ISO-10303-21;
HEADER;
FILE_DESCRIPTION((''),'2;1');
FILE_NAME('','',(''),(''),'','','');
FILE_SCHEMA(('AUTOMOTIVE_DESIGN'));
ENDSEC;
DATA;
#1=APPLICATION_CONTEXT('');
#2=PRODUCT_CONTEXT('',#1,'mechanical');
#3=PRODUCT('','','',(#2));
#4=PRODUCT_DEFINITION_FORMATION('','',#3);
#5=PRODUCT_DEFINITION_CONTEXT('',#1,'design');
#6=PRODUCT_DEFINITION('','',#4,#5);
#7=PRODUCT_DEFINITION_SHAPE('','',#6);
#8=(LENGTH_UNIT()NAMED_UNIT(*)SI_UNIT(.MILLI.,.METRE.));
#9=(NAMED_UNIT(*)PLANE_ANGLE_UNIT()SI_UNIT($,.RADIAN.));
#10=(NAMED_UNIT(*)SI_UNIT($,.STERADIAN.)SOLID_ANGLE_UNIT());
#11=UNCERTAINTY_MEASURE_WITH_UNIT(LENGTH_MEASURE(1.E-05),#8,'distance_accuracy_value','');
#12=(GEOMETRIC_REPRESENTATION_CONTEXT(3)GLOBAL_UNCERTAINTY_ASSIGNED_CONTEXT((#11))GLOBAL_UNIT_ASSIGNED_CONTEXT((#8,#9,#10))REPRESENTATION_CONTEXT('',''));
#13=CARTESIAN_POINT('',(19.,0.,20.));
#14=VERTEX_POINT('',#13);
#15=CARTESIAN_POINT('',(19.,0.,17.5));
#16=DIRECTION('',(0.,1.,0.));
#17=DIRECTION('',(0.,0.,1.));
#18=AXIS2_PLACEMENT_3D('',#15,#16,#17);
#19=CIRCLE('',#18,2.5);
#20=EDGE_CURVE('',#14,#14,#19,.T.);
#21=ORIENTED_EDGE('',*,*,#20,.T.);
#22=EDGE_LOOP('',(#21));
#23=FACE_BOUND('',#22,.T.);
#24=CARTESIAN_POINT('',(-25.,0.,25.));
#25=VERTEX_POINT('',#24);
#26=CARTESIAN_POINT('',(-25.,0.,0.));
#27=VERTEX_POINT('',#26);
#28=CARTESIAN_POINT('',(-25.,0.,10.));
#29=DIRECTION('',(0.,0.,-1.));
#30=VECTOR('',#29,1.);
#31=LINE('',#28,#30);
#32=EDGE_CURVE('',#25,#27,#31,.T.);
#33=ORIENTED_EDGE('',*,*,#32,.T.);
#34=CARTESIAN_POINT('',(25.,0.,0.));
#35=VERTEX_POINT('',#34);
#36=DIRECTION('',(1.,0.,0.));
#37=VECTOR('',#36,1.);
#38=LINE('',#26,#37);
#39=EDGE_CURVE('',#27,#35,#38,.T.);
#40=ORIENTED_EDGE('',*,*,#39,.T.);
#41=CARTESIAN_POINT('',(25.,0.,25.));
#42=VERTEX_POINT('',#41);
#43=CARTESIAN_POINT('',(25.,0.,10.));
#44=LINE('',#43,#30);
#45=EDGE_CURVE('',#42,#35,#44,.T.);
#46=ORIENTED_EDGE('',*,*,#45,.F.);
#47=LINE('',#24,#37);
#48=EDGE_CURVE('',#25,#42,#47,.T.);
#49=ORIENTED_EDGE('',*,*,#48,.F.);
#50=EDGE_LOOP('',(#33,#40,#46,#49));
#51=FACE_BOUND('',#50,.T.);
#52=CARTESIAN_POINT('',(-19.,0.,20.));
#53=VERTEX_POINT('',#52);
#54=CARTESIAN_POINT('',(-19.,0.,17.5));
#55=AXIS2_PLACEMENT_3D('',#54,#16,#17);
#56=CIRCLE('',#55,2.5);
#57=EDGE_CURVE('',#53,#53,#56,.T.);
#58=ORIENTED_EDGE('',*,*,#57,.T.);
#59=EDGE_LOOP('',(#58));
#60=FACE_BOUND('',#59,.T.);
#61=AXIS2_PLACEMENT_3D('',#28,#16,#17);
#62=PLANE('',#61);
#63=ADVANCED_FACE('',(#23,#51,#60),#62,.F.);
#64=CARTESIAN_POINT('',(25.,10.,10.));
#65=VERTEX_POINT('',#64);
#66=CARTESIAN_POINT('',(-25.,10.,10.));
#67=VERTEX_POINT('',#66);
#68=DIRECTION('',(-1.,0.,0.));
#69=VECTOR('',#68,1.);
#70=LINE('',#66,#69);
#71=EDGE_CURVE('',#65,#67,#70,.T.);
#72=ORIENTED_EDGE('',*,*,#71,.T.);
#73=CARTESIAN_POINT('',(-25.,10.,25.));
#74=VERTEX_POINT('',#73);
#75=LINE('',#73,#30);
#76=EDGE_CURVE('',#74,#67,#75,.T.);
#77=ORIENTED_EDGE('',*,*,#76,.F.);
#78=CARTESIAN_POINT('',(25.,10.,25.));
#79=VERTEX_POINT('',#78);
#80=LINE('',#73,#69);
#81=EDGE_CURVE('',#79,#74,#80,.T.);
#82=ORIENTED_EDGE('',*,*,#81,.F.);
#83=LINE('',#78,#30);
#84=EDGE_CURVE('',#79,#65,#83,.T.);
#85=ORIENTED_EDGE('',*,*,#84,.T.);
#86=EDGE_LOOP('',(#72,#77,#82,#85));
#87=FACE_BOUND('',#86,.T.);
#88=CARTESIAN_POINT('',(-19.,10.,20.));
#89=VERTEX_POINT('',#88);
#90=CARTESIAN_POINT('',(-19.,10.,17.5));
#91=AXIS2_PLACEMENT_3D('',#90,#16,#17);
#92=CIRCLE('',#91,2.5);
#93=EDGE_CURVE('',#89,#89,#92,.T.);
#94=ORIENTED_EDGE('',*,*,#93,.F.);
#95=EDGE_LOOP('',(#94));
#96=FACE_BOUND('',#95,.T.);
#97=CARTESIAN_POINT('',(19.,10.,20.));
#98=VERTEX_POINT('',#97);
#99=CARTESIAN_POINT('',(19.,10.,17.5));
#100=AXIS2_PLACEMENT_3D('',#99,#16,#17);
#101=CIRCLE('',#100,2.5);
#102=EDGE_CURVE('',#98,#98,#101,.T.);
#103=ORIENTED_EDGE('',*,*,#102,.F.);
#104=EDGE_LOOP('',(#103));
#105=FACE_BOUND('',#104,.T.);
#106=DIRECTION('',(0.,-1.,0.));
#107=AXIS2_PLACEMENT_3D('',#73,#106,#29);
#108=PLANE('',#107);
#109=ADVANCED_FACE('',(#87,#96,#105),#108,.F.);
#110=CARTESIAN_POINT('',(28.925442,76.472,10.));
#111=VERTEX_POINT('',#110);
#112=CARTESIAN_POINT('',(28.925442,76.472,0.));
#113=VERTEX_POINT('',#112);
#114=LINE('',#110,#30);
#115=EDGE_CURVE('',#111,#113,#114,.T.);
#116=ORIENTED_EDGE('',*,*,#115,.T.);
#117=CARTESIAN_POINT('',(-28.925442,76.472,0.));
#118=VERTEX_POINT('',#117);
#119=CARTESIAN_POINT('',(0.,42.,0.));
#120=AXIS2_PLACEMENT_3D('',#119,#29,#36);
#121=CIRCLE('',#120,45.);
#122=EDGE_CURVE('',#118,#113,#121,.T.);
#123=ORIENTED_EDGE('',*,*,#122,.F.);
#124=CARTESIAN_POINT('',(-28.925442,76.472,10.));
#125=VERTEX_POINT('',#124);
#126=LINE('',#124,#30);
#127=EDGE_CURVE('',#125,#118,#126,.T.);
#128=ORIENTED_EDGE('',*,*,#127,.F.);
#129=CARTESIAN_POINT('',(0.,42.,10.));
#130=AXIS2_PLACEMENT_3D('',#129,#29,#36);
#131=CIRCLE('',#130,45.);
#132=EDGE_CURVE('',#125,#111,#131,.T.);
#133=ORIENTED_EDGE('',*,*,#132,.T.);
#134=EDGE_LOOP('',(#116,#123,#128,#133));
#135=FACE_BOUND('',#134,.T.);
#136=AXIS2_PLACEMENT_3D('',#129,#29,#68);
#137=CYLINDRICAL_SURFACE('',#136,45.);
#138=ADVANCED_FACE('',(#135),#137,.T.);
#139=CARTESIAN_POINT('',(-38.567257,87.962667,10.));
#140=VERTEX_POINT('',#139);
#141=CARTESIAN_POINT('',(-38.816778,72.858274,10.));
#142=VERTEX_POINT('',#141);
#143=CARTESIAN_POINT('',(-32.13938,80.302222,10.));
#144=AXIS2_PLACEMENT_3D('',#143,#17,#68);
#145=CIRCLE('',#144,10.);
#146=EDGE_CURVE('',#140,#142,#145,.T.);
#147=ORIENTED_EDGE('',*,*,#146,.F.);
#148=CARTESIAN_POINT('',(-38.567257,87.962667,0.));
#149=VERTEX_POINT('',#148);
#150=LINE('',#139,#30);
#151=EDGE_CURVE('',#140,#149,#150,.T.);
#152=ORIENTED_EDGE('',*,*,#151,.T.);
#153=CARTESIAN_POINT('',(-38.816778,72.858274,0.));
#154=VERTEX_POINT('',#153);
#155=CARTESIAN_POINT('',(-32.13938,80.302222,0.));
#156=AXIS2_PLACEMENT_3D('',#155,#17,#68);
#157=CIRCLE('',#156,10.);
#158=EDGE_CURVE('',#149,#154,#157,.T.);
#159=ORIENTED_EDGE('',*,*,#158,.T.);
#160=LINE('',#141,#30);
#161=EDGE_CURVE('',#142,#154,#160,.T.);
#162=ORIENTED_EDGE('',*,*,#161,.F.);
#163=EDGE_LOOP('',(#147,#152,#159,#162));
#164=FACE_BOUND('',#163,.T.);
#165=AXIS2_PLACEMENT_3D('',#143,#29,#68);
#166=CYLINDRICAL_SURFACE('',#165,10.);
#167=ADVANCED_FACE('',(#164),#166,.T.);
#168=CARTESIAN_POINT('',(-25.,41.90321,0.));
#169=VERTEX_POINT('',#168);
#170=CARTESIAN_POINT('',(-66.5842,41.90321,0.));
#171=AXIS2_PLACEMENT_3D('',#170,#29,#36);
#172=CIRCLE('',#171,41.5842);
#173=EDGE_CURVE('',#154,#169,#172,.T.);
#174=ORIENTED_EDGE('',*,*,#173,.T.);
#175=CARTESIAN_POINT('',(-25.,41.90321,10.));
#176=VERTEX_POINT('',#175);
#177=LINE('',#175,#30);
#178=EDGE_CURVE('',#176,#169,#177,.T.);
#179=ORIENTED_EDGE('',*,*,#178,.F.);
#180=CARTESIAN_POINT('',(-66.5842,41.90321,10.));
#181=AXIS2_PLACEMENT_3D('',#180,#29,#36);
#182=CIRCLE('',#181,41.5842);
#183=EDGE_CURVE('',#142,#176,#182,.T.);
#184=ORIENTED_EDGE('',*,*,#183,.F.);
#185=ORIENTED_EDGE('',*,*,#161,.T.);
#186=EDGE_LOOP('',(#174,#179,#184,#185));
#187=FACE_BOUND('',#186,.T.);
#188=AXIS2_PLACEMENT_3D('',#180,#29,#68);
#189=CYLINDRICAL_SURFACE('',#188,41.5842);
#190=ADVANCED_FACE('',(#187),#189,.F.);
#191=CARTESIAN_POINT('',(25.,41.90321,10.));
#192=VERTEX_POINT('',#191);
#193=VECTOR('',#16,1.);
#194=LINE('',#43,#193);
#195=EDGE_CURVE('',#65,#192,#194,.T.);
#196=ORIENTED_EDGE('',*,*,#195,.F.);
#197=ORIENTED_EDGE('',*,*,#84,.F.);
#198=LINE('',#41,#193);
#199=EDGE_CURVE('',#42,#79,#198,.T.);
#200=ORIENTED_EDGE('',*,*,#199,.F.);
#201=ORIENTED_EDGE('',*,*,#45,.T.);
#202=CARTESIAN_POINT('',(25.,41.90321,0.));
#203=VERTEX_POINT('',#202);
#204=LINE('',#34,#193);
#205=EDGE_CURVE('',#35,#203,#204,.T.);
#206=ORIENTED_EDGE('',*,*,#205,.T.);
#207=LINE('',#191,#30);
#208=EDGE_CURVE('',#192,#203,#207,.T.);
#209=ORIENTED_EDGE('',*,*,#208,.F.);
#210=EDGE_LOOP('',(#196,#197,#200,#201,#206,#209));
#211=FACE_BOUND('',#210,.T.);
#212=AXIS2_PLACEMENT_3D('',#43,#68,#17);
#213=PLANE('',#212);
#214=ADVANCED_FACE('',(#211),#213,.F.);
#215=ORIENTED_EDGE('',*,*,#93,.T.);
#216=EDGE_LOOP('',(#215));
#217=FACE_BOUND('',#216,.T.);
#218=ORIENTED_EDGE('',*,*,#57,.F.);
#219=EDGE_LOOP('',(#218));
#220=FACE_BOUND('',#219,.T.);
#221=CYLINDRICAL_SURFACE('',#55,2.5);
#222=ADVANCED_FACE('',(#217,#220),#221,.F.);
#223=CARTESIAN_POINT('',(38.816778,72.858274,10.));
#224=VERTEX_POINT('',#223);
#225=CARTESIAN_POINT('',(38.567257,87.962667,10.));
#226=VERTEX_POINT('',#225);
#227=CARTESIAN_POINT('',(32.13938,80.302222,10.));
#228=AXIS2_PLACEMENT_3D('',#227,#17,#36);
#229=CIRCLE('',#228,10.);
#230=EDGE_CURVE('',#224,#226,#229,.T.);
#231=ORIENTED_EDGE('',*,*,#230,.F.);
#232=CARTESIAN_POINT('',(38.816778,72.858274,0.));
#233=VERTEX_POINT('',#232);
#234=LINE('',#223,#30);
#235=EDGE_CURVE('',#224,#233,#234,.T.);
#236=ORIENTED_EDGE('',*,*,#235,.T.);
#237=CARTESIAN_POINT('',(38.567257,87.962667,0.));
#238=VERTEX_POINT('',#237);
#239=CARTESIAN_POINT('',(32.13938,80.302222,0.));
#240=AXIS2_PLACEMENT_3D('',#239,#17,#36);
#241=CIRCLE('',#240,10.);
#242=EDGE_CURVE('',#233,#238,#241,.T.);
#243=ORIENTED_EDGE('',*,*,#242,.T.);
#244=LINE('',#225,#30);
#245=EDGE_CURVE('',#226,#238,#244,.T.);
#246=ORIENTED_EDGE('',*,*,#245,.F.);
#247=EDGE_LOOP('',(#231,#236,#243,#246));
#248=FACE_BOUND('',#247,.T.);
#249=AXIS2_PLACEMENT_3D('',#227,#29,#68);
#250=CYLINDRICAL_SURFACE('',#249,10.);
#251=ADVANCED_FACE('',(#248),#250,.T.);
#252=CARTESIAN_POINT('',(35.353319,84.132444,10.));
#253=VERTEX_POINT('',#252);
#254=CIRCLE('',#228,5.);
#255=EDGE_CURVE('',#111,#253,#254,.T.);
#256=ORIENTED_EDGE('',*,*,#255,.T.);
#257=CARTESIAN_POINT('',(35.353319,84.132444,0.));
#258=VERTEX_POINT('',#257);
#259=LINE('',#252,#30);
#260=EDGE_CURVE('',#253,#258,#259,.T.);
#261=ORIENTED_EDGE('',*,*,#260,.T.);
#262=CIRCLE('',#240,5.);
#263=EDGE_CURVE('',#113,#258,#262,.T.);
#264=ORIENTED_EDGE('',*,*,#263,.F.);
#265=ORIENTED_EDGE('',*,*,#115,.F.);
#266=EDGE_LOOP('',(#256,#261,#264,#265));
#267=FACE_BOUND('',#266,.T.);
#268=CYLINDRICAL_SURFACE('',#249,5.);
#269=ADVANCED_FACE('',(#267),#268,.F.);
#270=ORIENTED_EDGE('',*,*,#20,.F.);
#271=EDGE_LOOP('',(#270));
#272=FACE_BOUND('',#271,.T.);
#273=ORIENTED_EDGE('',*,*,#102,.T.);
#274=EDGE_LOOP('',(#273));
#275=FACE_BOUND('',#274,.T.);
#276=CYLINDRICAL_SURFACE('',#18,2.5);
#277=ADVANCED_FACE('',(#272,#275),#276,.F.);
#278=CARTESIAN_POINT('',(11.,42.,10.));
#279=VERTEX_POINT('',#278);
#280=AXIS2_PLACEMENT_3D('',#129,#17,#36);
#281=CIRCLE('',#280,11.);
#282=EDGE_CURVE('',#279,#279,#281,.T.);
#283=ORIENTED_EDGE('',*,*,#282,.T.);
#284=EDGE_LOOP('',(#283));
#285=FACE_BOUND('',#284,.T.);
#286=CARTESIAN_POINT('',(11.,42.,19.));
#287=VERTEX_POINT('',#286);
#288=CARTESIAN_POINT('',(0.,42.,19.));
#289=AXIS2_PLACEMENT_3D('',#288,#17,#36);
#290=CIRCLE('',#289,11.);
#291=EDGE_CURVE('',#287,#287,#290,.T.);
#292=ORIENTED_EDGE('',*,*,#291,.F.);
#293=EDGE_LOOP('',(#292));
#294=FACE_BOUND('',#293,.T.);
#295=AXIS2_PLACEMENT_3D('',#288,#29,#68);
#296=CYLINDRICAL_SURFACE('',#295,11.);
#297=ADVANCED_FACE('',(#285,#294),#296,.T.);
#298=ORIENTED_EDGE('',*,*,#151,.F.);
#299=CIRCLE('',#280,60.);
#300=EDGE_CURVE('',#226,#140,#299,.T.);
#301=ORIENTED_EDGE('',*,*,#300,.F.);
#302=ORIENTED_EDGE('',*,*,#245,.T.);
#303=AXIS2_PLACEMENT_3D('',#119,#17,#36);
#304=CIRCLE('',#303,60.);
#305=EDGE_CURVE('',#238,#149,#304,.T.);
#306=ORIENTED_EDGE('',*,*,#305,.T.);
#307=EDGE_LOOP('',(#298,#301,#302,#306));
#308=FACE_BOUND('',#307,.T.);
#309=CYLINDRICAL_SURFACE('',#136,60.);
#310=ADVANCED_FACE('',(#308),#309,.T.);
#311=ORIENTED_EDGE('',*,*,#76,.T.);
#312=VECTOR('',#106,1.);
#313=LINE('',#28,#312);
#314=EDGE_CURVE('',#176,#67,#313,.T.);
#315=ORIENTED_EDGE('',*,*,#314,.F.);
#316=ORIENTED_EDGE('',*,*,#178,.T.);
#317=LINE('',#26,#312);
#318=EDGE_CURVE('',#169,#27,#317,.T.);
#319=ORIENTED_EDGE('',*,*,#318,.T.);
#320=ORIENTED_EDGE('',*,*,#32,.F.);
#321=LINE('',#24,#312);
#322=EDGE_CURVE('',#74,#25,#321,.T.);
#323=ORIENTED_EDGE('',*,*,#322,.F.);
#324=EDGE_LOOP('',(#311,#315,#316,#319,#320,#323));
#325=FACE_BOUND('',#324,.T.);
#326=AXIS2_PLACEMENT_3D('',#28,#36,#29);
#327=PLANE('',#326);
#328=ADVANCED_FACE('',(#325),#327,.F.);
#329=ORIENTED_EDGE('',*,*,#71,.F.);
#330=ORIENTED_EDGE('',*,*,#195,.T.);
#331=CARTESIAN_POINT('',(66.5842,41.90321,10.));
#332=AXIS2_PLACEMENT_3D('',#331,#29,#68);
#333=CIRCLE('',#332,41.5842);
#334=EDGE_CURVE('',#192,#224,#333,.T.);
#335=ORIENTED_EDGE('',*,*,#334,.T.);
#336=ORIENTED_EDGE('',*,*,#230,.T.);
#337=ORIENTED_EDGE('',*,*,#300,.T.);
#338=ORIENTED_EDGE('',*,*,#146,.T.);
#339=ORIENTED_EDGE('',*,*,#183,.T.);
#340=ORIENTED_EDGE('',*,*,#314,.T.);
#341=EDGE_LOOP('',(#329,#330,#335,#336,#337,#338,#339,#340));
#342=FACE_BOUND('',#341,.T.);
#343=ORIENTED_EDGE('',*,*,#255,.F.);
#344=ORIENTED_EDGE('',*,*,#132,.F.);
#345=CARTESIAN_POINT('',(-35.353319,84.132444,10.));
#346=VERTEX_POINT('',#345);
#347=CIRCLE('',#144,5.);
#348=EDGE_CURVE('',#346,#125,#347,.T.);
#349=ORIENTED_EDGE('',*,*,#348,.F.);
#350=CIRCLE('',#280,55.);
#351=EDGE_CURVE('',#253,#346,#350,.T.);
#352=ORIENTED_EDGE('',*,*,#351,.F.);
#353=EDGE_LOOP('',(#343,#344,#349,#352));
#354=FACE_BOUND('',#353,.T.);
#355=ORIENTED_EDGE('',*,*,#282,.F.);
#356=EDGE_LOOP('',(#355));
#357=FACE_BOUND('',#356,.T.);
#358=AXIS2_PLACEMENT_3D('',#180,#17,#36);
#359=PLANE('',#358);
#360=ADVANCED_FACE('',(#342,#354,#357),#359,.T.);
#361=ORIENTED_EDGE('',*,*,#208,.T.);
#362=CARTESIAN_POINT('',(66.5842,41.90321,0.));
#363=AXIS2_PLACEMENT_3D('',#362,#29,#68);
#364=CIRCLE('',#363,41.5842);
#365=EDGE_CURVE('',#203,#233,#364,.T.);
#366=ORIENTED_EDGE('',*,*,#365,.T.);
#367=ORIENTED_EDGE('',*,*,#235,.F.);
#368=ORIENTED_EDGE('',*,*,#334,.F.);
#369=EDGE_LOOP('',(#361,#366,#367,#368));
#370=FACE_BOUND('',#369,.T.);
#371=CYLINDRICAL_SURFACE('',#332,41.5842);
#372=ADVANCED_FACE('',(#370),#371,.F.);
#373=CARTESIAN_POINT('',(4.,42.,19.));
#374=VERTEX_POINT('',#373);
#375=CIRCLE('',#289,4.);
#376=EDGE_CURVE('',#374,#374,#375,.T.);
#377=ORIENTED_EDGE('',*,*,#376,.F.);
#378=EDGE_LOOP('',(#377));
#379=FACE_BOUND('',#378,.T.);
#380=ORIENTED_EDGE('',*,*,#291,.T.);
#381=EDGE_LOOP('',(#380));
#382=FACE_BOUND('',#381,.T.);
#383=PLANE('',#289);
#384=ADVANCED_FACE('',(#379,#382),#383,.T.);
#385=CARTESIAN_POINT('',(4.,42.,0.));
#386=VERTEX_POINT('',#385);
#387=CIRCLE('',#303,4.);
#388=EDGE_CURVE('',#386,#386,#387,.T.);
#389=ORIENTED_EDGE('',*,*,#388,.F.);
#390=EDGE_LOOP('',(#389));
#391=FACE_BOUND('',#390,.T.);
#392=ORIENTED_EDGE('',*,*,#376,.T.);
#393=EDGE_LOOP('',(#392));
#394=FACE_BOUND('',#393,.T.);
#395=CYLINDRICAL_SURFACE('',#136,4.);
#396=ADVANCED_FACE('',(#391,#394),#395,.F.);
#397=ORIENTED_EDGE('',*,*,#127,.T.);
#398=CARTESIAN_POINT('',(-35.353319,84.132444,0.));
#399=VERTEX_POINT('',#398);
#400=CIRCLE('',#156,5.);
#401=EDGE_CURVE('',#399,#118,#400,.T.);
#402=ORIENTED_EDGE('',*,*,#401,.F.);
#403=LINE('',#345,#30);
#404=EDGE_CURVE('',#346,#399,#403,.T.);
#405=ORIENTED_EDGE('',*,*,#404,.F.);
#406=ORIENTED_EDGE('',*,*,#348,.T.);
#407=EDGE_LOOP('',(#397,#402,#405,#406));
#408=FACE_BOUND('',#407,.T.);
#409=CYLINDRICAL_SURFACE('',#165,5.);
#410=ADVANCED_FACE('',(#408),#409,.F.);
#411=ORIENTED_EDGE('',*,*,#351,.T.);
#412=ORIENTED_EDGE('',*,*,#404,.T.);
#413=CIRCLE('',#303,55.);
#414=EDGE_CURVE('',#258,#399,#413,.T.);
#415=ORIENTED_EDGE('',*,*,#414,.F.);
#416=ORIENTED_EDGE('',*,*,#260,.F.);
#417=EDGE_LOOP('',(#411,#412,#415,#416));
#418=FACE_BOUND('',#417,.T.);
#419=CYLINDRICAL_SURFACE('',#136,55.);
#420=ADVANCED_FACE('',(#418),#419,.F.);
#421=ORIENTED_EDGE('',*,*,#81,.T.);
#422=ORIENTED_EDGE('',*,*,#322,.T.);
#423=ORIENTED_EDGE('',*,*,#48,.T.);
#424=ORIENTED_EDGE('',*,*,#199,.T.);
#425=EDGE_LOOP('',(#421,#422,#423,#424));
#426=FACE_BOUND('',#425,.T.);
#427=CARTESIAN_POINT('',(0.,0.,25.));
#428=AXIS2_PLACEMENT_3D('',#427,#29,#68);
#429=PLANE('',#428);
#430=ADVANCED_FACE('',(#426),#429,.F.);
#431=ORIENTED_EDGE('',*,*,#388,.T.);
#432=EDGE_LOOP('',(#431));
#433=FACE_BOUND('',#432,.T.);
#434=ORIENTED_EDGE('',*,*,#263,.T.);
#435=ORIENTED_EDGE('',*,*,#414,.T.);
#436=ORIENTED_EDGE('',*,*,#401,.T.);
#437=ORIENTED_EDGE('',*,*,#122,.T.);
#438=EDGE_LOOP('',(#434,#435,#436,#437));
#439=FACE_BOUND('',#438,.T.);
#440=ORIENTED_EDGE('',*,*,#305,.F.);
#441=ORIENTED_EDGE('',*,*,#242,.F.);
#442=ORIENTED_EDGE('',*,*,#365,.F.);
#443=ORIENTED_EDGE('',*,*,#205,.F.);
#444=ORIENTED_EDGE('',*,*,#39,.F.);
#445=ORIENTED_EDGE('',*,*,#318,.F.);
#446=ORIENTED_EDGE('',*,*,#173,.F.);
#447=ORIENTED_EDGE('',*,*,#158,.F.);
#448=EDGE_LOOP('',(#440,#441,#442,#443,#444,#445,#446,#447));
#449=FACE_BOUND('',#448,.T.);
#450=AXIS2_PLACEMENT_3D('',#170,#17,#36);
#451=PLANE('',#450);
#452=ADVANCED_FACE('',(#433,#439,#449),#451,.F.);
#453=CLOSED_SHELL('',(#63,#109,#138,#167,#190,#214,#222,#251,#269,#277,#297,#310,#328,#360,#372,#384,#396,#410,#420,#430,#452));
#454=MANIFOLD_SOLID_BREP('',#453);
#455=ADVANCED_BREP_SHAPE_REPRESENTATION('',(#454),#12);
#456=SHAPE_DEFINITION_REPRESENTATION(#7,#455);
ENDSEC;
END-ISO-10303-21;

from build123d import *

# Parameters (mm, degrees)
SKETCH1_R           = 4
BOSS_EXTRUDE1_DEPTH = 10
SKETCH2_W           = 50
SKETCH2_H           = 10
BOSS_EXTRUDE2_DEPTH = 15
SKETCH3_R           = 2.5
CUT_EXTRUDE1_DEPTH  = 11
SKETCH4_R           = 11
SKETCH4_R_2         = 4
BOSS_EXTRUDE3_DEPTH = 9


with BuildPart() as part:
    # Sketch1 → Boss-Extrude1 (new body)
    with BuildSketch(Plane.XY):
        with BuildLine():
            Line((25, 0), (25, 41.903210357))
            ThreePointArc((25, 41.903210357), (28.610974366, 58.852541508), (38.81677775, 72.858273892))
            ThreePointArc((38.81677775, 72.858273892), (42.138016249, 80.467397369), (38.567256581, 87.962666587))
            ThreePointArc((38.567256581, 87.962666587), (0, 102), (-38.567256581, 87.962666587))
            ThreePointArc((-38.567256581, 87.962666587), (-42.138016249, 80.467397369), (-38.81677775, 72.858273892))
            ThreePointArc((-38.81677775, 72.858273892), (-28.610974366, 58.852541508), (-25, 41.903210357))
            Line((-25, 41.903210357), (-25, 0))
            Line((-25, 0), (25, 0))
        make_face()
        with Locations((0, 42)):
            Circle(SKETCH1_R, mode=Mode.SUBTRACT)
        with BuildLine():
            ThreePointArc((28.925442436, 76.47199994), (0, 87), (-28.925442436, 76.47199994))
            ThreePointArc((-28.925442436, 76.47199994), (-35.9696027, 77.088284108), (-35.353318533, 84.132444372))
            ThreePointArc((-35.353318533, 84.132444372), (0, 97), (35.353318533, 84.132444372))
            ThreePointArc((35.353318533, 84.132444372), (35.9696027, 77.088284108), (28.925442436, 76.47199994))
        make_face(mode=Mode.SUBTRACT)
    extrude(amount=BOSS_EXTRUDE1_DEPTH)

    # Sketch2 → Boss-Extrude2 (add)
    with BuildSketch(Plane.XY.offset(10)):
        with Locations((0, 5)):
            Rectangle(SKETCH2_W, SKETCH2_H)
    extrude(amount=BOSS_EXTRUDE2_DEPTH)

    # Sketch3 → Cut-Extrude1 (cut, through all)
    with BuildSketch(Plane(origin=(0, 10, 0), x_dir=(1, 0, 0), z_dir=(0, 1, 0))):
        with Locations((-19, -17.5)):
            Circle(SKETCH3_R)
        with Locations((19, -17.5)):
            Circle(SKETCH3_R)
    extrude(amount=-CUT_EXTRUDE1_DEPTH, mode=Mode.SUBTRACT)

    # Sketch4 → Boss-Extrude3 (add)
    with BuildSketch(Plane.XY.offset(10)):
        with Locations((0, 42)):
            Circle(SKETCH4_R)
        with Locations((0, 42)):
            Circle(SKETCH4_R_2, mode=Mode.SUBTRACT)
    extrude(amount=BOSS_EXTRUDE3_DEPTH)


solid = part.part
